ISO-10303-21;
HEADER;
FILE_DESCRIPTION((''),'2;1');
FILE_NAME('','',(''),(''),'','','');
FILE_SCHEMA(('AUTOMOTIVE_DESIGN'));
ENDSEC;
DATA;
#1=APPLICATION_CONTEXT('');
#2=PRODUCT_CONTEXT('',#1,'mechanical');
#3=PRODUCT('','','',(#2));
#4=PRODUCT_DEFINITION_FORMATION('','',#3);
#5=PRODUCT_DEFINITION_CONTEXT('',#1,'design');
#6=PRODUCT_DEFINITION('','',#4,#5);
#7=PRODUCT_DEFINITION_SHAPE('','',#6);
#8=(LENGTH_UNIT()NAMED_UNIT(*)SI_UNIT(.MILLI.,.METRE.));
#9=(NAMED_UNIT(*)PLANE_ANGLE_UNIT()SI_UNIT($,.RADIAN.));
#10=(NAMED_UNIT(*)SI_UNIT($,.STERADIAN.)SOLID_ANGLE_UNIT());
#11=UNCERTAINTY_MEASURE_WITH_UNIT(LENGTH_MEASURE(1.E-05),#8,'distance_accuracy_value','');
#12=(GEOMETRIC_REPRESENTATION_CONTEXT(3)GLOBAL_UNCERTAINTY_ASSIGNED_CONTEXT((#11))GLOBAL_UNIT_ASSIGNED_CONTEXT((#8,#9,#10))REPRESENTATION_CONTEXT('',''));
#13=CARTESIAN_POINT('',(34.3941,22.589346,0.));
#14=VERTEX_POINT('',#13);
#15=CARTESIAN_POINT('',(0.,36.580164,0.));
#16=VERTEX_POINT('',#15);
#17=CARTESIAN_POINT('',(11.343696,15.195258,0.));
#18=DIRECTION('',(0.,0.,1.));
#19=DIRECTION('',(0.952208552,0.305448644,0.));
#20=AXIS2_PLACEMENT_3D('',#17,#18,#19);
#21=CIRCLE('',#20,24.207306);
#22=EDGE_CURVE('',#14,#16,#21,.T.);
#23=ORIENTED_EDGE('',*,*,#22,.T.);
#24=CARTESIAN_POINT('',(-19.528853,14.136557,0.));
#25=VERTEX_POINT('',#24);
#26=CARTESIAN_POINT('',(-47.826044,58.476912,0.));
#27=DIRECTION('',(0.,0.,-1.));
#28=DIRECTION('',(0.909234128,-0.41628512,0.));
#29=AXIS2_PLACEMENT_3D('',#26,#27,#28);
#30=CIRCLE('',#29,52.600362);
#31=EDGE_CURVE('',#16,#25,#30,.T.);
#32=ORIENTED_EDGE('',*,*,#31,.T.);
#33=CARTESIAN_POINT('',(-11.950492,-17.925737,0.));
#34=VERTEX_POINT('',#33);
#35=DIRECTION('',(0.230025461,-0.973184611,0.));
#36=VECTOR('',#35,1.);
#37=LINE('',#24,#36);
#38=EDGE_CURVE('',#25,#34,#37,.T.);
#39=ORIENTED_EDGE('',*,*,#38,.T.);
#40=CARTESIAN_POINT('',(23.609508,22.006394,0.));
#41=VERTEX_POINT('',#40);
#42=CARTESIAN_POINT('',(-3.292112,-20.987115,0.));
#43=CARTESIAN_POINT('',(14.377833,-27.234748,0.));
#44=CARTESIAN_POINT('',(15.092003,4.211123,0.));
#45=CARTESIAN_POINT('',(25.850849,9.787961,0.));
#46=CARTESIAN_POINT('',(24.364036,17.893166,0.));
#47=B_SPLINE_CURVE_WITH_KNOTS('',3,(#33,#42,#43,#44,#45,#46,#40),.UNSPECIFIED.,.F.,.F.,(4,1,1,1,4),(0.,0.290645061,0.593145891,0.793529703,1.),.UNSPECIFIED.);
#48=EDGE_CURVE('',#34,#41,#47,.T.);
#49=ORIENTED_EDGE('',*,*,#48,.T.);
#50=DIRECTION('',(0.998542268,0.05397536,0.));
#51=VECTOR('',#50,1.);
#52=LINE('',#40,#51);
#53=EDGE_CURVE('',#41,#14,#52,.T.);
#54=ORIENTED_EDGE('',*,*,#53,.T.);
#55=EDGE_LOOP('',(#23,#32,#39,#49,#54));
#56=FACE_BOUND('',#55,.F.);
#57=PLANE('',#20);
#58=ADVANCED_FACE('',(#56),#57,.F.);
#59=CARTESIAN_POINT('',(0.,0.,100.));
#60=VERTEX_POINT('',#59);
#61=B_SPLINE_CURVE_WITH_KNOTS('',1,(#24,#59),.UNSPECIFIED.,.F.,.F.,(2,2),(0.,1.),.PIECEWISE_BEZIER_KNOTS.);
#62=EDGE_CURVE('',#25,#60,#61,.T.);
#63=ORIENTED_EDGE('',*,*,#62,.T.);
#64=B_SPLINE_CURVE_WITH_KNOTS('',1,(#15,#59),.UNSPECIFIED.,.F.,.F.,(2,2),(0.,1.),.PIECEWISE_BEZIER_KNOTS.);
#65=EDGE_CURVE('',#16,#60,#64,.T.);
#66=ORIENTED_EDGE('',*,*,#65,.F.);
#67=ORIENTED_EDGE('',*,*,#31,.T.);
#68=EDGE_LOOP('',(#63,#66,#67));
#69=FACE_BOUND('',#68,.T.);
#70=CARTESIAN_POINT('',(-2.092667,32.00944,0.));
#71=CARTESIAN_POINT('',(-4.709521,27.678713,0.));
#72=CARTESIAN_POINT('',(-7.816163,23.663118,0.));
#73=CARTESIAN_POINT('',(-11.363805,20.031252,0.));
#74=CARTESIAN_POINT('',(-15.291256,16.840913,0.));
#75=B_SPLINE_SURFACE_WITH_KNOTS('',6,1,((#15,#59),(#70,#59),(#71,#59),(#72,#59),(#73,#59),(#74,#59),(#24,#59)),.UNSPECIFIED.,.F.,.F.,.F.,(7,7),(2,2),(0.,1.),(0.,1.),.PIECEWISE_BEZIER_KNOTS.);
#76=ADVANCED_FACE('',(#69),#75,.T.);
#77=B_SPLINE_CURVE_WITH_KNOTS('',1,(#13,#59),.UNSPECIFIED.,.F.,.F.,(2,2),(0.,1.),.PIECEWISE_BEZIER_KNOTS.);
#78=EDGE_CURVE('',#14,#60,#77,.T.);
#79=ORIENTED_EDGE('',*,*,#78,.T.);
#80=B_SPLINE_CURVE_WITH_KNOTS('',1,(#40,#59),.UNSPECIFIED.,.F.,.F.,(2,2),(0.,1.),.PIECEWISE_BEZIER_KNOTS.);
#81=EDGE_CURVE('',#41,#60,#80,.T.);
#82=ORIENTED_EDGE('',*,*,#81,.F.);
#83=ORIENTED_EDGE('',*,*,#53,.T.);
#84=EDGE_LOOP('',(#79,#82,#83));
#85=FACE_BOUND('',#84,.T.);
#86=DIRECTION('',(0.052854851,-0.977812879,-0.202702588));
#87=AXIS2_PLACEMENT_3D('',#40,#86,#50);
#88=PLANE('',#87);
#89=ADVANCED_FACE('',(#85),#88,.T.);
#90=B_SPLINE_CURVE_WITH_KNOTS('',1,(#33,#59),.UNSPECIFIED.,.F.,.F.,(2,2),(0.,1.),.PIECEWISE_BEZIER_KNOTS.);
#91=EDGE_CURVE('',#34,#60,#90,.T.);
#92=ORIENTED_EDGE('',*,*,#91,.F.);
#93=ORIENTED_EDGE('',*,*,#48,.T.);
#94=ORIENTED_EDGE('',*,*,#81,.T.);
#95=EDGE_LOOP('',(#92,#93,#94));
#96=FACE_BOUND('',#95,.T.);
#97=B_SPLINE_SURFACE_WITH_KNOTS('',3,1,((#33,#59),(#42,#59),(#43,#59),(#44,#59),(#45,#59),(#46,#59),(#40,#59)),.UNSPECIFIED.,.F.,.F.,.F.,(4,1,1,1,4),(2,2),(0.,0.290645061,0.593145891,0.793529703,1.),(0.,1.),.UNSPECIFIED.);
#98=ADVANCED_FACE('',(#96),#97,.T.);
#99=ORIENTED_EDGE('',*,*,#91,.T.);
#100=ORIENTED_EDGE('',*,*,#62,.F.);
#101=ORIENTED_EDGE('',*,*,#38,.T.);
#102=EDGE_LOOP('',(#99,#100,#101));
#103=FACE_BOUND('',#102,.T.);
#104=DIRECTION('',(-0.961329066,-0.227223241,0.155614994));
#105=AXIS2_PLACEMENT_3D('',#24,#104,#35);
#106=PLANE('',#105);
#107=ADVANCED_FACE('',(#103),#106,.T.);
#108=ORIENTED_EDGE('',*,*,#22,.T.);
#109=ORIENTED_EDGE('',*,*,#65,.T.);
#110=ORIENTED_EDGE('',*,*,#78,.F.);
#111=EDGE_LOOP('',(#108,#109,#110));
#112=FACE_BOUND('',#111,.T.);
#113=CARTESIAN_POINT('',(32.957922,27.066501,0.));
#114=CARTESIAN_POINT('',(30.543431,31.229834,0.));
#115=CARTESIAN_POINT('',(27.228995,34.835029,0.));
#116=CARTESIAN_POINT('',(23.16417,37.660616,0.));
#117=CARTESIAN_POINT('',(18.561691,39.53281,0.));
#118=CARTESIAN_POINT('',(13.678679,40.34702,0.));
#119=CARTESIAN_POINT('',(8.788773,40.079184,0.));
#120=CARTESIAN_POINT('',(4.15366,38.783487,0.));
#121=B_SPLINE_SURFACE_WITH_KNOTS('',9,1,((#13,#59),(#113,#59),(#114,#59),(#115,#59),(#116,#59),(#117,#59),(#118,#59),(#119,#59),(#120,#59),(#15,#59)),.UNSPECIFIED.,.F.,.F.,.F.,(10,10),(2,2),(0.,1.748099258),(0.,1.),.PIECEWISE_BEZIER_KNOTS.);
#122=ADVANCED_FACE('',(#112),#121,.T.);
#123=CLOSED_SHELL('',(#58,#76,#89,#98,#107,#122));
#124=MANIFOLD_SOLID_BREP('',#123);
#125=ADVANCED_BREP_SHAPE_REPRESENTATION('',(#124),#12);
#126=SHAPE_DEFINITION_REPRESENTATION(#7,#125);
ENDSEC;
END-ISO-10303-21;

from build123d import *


with BuildPart() as f3:
    # F0 (on Top) → F3 section 0
    with BuildSketch(Plane.XY, mode=Mode.PRIVATE) as f3_s0:
        with BuildLine():
            Line((23.609507829, 22.0063943416), (34.3941003084, 22.5893463939))
            ThreePointArc((34.3941003084, 22.5893463939), (20.4649624491, 37.6183745643), (0, 36.5801639855))
            ThreePointArc((0, 36.5801639855), (-8.1446175856, 23.9489166784), (-19.5288527757, 14.1365574673))
            Line((-19.5288527757, 14.1365574673), (-11.9504919276, -17.9257374257))
            add(Edge.make_bspline(
                [(-11.9504919276, -17.9257374257), (-3.2921123574, -20.9871153222), (14.3778327289, -27.2347484828), (15.0920027905, 4.2111228661), (25.8508491567, 9.7879606885), (24.3640357839, 17.8931655162), (23.609507829, 22.0063943416)],
                knots=[0, 0, 0, 0, 0.2906450611, 0.5931458915, 0.7935297032, 1, 1, 1, 1], degree=3))
        make_face()
    loft([f3_s0.sketch, Vertex(0, 0, 100)])


solid = f3.part
